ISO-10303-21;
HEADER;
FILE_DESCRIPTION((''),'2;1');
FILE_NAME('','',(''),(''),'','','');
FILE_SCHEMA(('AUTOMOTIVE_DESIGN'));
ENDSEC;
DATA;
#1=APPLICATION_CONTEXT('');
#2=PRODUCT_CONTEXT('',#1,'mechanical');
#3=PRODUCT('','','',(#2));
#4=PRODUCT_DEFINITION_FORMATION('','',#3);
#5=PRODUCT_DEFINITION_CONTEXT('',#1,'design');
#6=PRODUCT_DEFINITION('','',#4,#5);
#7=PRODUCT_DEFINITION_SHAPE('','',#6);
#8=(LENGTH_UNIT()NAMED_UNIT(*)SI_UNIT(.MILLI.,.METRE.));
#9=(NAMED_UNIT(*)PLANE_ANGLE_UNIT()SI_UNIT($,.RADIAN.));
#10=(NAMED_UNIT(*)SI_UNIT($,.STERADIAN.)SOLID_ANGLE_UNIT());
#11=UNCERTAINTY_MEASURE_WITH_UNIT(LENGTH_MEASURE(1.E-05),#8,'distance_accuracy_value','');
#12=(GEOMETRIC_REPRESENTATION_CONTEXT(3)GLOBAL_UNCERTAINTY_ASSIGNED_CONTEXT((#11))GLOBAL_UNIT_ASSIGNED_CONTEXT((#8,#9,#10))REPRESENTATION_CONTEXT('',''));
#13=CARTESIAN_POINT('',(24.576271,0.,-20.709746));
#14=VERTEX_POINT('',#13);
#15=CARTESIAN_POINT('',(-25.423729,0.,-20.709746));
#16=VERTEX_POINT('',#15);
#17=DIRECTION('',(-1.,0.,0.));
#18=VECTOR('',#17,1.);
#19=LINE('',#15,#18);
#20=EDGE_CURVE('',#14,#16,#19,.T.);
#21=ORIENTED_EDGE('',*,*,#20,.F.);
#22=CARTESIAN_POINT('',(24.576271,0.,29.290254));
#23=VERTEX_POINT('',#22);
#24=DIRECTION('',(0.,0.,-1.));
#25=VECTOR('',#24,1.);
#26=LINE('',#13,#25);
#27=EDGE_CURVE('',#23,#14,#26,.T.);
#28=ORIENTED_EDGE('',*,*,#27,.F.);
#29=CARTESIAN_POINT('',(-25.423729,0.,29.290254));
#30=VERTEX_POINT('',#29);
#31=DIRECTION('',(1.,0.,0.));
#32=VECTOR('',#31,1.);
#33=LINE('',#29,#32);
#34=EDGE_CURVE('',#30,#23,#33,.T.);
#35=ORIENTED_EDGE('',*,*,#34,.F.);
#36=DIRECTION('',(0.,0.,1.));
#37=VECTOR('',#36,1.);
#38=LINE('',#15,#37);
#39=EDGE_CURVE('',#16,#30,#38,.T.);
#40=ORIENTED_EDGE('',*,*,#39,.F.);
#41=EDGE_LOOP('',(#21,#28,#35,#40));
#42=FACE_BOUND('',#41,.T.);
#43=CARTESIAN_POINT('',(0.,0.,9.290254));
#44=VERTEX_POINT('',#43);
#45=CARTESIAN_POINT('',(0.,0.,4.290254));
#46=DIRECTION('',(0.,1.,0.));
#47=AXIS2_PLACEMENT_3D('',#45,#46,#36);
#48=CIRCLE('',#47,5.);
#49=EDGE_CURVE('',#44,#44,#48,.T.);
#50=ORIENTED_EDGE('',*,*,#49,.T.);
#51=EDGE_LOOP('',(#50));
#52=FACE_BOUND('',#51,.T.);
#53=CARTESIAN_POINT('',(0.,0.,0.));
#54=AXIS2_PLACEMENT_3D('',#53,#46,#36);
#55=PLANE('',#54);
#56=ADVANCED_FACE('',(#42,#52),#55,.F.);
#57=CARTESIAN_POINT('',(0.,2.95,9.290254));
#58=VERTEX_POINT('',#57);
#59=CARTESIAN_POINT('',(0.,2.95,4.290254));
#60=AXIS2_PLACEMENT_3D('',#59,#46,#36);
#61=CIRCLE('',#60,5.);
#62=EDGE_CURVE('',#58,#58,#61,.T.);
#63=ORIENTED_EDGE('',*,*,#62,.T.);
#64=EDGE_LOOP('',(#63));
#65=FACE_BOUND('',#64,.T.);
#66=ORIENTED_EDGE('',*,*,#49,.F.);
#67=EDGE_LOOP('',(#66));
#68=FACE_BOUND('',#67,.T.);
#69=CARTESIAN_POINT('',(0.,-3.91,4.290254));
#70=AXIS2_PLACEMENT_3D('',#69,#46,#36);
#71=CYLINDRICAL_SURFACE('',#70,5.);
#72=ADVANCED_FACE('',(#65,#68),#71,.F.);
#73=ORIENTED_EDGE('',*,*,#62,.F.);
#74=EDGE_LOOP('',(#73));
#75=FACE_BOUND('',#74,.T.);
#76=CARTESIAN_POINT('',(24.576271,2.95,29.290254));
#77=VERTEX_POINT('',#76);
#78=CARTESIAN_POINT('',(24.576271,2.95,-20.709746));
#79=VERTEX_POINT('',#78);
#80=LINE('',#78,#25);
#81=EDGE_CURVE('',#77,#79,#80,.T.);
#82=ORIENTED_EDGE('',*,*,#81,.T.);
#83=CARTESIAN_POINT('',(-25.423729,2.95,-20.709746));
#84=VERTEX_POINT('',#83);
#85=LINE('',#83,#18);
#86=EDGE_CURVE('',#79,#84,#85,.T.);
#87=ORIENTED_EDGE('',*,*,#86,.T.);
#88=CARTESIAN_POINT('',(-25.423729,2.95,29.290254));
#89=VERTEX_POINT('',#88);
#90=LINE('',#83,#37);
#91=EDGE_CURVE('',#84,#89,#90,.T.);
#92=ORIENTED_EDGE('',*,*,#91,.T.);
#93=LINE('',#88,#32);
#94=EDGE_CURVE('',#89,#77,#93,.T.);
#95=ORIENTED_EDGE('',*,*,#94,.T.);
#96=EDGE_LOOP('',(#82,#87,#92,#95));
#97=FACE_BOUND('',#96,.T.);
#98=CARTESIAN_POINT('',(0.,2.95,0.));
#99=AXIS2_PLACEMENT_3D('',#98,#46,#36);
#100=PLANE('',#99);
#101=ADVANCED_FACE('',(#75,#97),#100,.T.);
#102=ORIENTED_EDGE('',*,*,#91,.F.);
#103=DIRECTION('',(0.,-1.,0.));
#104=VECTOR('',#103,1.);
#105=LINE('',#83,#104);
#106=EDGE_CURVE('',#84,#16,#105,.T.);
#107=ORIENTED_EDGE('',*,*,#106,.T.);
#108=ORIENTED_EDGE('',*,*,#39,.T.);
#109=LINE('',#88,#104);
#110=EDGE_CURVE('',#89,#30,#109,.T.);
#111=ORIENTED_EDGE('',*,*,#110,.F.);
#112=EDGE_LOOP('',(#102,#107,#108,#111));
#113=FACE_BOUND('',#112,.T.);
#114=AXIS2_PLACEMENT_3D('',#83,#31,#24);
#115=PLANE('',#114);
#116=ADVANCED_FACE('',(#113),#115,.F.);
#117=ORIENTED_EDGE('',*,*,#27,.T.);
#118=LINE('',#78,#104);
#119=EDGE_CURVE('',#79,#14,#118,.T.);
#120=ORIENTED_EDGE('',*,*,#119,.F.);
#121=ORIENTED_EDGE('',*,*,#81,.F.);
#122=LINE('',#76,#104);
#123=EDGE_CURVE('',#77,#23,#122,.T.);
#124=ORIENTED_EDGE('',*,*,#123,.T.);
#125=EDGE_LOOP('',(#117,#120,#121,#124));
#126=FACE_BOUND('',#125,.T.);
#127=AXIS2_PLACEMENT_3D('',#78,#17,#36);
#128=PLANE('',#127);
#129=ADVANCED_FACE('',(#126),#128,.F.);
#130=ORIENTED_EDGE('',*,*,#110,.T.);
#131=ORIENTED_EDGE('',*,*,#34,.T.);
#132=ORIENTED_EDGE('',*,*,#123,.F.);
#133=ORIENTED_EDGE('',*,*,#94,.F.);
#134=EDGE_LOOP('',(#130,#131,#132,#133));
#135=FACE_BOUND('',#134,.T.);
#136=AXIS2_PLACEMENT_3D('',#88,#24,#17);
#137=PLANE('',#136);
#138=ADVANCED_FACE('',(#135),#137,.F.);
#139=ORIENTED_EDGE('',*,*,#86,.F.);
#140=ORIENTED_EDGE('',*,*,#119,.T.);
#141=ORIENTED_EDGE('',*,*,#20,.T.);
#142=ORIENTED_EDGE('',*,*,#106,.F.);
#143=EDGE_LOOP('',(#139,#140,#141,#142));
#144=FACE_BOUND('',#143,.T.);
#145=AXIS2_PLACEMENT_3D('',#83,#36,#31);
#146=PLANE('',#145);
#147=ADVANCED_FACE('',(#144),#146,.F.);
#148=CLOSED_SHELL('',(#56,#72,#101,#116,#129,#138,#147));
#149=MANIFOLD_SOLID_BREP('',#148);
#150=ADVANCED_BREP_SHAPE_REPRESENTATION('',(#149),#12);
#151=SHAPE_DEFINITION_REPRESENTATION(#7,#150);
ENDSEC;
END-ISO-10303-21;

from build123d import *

# Parameters (mm, degrees)
SKETCH1_W           = 50
SKETCH1_H           = 50
BOSS_EXTRUDE1_DEPTH = 2.95
SKETCH2_R           = 5
CUT_EXTRUDE1_DEPTH  = 6.86


with BuildPart() as part:
    # Sketch1 → Boss-Extrude1 (new body)
    with BuildSketch(Plane(origin=(0, 0, 0), x_dir=(1, 0, 0), z_dir=(0, 1, 0))):
        with Locations((-0.423728814, -4.290254237)):
            Rectangle(SKETCH1_W, SKETCH1_H)
    extrude(amount=BOSS_EXTRUDE1_DEPTH)

    # Sketch2 → Cut-Extrude1 (cut)
    with BuildSketch(Plane(origin=(0, 2.95, 0), x_dir=(1, 0, 0), z_dir=(0, 1, 0))):
        with Locations((0, -4.290254237)):
            Circle(SKETCH2_R)
    extrude(amount=-CUT_EXTRUDE1_DEPTH, mode=Mode.SUBTRACT)


solid = part.part
